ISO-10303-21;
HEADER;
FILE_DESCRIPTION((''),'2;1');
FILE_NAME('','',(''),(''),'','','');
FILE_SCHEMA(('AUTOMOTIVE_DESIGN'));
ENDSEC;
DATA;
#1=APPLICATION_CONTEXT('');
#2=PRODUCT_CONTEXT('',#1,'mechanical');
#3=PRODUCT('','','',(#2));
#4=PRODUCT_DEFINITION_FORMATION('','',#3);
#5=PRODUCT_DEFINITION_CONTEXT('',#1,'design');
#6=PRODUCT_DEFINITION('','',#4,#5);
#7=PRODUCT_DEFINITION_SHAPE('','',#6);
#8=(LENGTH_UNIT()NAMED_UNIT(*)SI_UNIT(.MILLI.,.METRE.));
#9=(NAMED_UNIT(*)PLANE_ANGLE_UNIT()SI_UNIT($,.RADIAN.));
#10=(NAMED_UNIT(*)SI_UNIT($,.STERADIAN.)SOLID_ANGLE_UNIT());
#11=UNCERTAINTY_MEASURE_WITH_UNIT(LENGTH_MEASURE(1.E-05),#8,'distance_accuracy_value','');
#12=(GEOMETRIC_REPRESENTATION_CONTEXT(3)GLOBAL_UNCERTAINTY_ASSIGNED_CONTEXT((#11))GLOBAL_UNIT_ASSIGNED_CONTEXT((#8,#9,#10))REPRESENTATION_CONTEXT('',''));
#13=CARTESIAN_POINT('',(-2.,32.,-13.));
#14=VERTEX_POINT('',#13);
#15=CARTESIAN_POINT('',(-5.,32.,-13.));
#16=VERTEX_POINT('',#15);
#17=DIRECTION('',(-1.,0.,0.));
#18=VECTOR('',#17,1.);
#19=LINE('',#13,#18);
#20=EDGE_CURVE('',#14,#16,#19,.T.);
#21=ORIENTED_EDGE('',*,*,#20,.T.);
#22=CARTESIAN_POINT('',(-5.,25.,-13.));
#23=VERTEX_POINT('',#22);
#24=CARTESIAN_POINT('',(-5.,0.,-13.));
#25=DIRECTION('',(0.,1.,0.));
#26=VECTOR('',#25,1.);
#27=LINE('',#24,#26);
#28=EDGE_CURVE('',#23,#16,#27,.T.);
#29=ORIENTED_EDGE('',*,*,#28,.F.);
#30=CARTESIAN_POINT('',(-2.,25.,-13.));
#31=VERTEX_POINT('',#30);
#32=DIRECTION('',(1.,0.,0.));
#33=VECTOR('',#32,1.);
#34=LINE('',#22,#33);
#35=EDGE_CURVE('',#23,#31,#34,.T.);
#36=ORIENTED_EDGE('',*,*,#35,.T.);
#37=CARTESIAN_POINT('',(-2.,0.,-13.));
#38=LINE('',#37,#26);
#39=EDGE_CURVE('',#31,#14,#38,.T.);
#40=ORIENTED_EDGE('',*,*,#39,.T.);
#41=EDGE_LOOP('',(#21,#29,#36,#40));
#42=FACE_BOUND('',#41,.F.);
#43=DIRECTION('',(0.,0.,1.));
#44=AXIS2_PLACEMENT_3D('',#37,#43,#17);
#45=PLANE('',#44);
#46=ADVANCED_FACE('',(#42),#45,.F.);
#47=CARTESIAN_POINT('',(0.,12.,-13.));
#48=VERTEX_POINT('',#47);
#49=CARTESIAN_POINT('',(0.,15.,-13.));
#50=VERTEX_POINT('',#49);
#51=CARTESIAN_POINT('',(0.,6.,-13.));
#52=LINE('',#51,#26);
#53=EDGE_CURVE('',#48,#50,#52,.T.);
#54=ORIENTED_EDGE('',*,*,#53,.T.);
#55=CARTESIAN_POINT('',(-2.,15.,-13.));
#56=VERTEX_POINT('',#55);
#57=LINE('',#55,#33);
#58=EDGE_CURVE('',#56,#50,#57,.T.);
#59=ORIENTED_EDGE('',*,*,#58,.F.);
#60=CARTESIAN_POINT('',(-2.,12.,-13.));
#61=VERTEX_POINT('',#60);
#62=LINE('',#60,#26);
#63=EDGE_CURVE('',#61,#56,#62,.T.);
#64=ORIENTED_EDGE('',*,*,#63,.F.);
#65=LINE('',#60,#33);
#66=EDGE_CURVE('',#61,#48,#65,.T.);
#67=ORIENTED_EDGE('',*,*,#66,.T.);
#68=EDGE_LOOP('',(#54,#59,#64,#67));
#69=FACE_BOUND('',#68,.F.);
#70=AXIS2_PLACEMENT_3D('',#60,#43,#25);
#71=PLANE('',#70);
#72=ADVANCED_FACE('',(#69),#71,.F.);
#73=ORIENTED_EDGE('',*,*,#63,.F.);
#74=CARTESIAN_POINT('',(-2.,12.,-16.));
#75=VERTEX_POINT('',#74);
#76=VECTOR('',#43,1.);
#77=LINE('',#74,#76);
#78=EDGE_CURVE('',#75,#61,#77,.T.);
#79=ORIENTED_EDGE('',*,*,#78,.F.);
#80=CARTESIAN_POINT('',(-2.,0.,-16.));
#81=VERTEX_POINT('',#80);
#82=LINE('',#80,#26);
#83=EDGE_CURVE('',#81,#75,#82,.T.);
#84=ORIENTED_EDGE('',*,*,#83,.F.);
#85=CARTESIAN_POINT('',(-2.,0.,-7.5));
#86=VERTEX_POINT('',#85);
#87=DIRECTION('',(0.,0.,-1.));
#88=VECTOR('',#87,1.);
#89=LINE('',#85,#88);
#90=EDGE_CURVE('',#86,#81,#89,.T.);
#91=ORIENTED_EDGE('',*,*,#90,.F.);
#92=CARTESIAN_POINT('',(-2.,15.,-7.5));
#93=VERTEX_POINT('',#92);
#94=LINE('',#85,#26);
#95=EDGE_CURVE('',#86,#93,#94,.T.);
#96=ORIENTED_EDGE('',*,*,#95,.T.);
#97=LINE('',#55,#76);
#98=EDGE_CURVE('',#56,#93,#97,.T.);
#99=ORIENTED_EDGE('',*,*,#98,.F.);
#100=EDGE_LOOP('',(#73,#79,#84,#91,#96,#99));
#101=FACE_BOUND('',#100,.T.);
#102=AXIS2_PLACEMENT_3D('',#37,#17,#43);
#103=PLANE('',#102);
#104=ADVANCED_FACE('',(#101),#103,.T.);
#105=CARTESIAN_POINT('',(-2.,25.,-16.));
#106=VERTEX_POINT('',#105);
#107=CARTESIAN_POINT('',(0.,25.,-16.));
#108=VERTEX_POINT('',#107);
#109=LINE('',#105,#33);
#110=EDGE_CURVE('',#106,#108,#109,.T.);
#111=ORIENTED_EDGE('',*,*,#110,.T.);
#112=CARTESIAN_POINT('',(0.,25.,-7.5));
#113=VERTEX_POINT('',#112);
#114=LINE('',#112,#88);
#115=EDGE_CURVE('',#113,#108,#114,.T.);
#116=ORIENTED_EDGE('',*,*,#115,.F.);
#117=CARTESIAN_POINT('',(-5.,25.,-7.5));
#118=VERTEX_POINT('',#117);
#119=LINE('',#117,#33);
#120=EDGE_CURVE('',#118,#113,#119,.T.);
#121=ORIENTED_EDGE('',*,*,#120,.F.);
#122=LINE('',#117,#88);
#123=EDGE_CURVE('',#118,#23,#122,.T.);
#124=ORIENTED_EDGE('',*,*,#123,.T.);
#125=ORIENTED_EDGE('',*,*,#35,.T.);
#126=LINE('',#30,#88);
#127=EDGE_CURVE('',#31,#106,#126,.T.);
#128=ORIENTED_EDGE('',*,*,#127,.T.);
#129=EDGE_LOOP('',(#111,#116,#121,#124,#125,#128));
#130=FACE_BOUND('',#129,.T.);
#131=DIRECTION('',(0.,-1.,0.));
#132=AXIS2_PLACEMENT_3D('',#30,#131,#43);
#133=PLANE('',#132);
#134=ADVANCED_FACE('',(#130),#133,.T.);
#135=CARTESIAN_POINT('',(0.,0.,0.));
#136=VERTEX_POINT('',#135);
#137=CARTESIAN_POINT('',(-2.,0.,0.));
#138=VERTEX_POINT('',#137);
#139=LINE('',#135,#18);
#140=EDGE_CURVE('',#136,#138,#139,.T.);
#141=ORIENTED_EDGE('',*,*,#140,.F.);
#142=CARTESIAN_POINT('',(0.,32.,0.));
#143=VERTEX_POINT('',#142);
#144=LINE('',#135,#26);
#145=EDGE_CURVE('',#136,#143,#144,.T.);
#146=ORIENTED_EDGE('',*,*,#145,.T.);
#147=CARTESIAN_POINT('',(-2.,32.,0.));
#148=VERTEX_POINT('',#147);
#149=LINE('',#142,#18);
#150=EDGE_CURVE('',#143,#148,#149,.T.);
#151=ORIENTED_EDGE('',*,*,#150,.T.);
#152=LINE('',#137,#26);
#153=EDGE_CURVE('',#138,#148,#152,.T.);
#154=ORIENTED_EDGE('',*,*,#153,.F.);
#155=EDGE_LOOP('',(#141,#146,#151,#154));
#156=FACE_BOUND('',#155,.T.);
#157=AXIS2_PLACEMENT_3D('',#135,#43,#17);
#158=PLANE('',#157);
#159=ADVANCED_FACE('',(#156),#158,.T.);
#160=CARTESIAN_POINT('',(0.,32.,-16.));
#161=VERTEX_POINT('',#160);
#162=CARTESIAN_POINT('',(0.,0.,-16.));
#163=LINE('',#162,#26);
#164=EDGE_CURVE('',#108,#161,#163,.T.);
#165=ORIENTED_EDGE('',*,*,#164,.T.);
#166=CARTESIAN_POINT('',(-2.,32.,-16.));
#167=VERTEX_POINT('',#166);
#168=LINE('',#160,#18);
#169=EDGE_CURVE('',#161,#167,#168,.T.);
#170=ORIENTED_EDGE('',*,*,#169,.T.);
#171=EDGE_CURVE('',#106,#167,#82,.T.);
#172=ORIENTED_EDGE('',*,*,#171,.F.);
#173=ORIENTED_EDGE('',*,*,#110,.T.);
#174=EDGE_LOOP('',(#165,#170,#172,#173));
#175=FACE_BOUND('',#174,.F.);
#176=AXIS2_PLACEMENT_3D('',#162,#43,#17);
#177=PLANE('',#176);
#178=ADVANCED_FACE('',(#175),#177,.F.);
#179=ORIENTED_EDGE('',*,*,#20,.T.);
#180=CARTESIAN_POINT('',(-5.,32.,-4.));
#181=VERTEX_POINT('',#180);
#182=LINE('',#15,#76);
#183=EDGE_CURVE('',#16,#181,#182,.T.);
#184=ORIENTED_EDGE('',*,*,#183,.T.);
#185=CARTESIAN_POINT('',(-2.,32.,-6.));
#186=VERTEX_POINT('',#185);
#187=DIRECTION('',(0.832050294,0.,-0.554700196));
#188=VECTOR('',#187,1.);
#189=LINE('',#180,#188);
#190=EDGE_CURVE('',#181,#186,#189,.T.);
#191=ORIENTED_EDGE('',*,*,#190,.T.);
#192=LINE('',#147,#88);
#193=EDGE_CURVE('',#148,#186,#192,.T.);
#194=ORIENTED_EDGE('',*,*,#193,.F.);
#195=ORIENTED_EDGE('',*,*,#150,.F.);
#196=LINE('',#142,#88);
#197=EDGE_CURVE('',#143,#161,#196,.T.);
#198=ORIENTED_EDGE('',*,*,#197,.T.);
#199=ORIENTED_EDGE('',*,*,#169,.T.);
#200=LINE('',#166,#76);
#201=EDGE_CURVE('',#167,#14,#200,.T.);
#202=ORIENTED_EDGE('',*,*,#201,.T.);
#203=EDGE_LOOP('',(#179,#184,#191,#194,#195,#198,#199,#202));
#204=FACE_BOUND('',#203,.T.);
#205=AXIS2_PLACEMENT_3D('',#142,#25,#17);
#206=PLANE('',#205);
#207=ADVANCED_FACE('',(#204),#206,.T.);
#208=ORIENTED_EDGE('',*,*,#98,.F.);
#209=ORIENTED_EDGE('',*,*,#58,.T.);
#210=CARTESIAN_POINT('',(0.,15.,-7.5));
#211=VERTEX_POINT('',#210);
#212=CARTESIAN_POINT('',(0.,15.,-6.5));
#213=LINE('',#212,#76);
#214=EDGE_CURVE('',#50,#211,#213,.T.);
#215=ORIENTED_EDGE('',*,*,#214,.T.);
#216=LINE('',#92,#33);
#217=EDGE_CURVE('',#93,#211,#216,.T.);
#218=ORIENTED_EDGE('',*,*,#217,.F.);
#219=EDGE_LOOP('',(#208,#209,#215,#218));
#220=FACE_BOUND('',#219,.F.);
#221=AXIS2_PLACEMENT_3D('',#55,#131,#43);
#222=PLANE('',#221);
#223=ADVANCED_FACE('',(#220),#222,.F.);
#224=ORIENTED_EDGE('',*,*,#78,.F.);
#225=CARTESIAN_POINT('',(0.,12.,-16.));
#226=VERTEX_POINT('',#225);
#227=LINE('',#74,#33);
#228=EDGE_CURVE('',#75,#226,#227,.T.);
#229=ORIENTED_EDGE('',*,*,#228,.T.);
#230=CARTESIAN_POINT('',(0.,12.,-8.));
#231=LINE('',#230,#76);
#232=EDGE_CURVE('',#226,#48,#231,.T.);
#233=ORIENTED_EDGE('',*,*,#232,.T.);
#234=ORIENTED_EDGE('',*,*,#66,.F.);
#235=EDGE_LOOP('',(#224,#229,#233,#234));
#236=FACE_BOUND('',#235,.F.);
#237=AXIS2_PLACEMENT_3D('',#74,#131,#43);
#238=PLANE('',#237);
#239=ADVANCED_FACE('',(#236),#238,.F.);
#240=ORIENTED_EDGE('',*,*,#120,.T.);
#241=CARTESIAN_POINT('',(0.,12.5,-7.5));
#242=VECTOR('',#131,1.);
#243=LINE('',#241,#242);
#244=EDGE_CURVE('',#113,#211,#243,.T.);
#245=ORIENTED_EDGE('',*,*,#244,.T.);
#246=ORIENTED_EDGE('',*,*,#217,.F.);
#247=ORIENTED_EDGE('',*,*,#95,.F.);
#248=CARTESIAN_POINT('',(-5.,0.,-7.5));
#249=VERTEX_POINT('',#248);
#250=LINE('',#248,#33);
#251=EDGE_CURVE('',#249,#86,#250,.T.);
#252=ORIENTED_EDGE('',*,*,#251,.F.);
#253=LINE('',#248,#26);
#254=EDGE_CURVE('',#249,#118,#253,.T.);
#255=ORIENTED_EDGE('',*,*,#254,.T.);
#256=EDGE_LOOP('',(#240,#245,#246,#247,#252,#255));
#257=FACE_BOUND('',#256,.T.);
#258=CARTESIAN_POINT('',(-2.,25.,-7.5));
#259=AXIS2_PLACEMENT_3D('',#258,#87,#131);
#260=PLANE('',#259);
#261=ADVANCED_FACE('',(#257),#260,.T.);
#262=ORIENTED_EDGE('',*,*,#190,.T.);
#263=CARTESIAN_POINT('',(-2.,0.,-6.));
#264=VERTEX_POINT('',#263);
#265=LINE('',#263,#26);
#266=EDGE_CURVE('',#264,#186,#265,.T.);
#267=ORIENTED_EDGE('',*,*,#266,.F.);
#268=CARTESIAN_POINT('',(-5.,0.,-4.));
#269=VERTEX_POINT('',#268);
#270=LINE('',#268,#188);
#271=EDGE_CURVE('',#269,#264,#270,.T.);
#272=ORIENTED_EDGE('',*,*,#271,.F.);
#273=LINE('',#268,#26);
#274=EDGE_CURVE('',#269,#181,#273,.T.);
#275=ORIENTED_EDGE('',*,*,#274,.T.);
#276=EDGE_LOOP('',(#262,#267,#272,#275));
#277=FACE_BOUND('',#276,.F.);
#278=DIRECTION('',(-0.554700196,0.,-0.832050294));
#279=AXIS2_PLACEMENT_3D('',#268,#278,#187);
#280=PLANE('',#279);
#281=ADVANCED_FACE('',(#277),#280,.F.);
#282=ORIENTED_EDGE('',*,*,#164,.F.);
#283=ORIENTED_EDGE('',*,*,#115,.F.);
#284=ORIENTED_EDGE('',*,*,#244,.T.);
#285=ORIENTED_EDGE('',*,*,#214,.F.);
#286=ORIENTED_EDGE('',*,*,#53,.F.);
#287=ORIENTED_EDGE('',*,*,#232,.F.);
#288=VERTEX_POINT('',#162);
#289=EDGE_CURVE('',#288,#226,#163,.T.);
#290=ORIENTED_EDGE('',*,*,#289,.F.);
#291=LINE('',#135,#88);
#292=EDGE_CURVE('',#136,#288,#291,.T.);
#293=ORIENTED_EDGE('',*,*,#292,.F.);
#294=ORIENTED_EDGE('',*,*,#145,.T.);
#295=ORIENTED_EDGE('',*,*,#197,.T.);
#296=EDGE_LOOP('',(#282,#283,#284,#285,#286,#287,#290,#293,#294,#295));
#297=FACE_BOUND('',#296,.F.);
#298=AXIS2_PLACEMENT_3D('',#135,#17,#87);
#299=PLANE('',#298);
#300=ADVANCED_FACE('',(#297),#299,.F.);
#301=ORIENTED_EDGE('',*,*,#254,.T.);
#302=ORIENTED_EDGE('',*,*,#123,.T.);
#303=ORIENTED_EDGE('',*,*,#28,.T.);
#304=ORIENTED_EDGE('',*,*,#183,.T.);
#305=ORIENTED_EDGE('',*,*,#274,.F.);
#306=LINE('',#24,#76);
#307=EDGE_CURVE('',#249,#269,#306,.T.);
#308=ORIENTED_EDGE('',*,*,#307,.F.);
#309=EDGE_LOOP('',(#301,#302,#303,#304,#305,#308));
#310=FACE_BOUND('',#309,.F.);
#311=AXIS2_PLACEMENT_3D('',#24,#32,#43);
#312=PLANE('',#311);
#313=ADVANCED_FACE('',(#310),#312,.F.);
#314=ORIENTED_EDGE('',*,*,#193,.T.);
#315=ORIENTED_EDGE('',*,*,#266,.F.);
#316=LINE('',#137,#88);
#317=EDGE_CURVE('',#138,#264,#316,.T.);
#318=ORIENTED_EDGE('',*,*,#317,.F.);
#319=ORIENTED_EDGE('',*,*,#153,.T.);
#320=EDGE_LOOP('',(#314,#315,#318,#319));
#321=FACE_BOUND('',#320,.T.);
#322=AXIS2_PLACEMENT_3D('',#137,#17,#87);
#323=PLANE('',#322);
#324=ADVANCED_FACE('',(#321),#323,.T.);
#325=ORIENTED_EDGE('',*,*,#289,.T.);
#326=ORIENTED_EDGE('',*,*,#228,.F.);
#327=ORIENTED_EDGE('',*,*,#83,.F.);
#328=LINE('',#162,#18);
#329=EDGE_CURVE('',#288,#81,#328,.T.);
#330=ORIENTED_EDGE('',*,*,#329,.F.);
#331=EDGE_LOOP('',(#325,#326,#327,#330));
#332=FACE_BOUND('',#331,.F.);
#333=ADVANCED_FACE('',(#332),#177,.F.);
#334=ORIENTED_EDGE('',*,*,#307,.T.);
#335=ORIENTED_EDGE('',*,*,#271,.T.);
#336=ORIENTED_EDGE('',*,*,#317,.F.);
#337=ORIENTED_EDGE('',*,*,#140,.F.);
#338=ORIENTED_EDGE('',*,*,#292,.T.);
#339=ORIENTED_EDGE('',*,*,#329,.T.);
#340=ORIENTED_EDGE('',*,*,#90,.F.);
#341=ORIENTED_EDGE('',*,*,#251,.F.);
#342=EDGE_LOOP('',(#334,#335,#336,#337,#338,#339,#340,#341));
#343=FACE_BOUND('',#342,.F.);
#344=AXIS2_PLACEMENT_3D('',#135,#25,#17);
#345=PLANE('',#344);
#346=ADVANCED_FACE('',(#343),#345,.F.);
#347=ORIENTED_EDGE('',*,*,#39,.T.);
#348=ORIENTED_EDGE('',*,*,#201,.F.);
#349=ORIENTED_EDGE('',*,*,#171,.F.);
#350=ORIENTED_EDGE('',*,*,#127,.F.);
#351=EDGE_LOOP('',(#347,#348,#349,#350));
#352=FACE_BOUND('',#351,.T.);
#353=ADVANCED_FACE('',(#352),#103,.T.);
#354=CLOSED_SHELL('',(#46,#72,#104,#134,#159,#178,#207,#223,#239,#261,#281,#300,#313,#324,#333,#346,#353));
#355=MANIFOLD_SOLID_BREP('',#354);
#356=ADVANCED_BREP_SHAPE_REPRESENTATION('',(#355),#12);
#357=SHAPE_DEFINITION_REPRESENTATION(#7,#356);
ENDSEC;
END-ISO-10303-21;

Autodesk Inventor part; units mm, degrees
ref_plane "YZ Plane" through (0, 0, 0) normal (1, 0, 0) x (0, 1, 0)
ref_plane "XZ Plane" through (0, 0, 0) normal (0, 1, 0) x (-1, 0, 0)
ref_plane "XY Plane" through (0, 0, 0) normal (0, 0, 1) x (1, 0, 0)
sketch "Sketch1" plane through (0, 0, 0) normal (0, 1, 0) x (-1, 0, 0)
  line L0 (0, 0) -> (0, -16)
  line L1 (0, -16) -> (2, -16)
  line L2 (0, 0) -> (2, 0)
  line L3 (2, 0) -> (2, -6)
  line L4 (2, -16) -> (2, -13)
  line L5 (2, -13) -> (5, -13)
  line L6 (5, -13) -> (5, -4)
  line L7 (5, -4) -> (2, -6)
  dimension "d0" = 16
  dimension "d1" = 2
  dimension "d2" = 6
  dimension "d3" = 3
  dimension "d4" = 3
  dimension "d5" = 9
extrude "Extrusion1" add sketch "Sketch1" along normal blind 32
sketch "Sketch2" plane through (-5, 0, -13) normal (-1, 0, 0) x (0, 0, 1)
  line L0 (0, 0) -> (9, 0) projected
  line L1 (9, 0) -> (9, 32) projected
  line L2 (0, 32) -> (9, 32) projected
  line L3 (0, 0) -> (0, 32) projected
  line L4 (0, 0) -> (9, 0) projected
  line L5 (5.5, 0) -> (5.5, 25)
  line L6 (5.5, 25) -> (0, 25)
  point P0 (13, 0)
  dimension "d8" = 25
  dimension "d9" = 5.5
extrude "Extrusion2" cut sketch "Sketch2" against normal blind 3 contours L3 L6 L5 L0
sketch "Sketch3" plane through (-2, 0, -16) normal (-1, 0, 0) x (0, 0, 1)
  line L0 (0, 0) -> (8.5, 0) projected
  line L1 (8.5, 25) -> (8.5, 0) projected
  line L2 (3, 25) -> (8.5, 25) projected
  line L3 (3, 25) -> (3, 32) projected
  line L4 (0, 32) -> (3, 32) projected
  line L5 (0, 0) -> (0, 32) projected
  line L6 (0, 0) -> (8.5, 0) projected
  line L7 (0, 0) -> (0, 12)
  line L8 (0, 0) -> (0, 32) projected
  line L9 (0, 12) -> (3, 12)
  line L10 (3, 12) -> (3, 15)
  line L11 (3, 15) -> (8.5, 15)
  line L12 (8.5, 25) -> (8.5, 0) projected
  line L13 (3, 25) -> (3, 32) projected
  line L14 (3, 25) -> (0, 25)
  point P0 (16, 0)
  dimension "d12" = 12
  dimension "d13" = 3
  dimension "d14" = 3
extrude "Extrusion3" cut sketch "Sketch3" against normal blind 4 contours L5 L14 L2 L1 L11 L10 L9
properties part number "Inner Rails 2"
